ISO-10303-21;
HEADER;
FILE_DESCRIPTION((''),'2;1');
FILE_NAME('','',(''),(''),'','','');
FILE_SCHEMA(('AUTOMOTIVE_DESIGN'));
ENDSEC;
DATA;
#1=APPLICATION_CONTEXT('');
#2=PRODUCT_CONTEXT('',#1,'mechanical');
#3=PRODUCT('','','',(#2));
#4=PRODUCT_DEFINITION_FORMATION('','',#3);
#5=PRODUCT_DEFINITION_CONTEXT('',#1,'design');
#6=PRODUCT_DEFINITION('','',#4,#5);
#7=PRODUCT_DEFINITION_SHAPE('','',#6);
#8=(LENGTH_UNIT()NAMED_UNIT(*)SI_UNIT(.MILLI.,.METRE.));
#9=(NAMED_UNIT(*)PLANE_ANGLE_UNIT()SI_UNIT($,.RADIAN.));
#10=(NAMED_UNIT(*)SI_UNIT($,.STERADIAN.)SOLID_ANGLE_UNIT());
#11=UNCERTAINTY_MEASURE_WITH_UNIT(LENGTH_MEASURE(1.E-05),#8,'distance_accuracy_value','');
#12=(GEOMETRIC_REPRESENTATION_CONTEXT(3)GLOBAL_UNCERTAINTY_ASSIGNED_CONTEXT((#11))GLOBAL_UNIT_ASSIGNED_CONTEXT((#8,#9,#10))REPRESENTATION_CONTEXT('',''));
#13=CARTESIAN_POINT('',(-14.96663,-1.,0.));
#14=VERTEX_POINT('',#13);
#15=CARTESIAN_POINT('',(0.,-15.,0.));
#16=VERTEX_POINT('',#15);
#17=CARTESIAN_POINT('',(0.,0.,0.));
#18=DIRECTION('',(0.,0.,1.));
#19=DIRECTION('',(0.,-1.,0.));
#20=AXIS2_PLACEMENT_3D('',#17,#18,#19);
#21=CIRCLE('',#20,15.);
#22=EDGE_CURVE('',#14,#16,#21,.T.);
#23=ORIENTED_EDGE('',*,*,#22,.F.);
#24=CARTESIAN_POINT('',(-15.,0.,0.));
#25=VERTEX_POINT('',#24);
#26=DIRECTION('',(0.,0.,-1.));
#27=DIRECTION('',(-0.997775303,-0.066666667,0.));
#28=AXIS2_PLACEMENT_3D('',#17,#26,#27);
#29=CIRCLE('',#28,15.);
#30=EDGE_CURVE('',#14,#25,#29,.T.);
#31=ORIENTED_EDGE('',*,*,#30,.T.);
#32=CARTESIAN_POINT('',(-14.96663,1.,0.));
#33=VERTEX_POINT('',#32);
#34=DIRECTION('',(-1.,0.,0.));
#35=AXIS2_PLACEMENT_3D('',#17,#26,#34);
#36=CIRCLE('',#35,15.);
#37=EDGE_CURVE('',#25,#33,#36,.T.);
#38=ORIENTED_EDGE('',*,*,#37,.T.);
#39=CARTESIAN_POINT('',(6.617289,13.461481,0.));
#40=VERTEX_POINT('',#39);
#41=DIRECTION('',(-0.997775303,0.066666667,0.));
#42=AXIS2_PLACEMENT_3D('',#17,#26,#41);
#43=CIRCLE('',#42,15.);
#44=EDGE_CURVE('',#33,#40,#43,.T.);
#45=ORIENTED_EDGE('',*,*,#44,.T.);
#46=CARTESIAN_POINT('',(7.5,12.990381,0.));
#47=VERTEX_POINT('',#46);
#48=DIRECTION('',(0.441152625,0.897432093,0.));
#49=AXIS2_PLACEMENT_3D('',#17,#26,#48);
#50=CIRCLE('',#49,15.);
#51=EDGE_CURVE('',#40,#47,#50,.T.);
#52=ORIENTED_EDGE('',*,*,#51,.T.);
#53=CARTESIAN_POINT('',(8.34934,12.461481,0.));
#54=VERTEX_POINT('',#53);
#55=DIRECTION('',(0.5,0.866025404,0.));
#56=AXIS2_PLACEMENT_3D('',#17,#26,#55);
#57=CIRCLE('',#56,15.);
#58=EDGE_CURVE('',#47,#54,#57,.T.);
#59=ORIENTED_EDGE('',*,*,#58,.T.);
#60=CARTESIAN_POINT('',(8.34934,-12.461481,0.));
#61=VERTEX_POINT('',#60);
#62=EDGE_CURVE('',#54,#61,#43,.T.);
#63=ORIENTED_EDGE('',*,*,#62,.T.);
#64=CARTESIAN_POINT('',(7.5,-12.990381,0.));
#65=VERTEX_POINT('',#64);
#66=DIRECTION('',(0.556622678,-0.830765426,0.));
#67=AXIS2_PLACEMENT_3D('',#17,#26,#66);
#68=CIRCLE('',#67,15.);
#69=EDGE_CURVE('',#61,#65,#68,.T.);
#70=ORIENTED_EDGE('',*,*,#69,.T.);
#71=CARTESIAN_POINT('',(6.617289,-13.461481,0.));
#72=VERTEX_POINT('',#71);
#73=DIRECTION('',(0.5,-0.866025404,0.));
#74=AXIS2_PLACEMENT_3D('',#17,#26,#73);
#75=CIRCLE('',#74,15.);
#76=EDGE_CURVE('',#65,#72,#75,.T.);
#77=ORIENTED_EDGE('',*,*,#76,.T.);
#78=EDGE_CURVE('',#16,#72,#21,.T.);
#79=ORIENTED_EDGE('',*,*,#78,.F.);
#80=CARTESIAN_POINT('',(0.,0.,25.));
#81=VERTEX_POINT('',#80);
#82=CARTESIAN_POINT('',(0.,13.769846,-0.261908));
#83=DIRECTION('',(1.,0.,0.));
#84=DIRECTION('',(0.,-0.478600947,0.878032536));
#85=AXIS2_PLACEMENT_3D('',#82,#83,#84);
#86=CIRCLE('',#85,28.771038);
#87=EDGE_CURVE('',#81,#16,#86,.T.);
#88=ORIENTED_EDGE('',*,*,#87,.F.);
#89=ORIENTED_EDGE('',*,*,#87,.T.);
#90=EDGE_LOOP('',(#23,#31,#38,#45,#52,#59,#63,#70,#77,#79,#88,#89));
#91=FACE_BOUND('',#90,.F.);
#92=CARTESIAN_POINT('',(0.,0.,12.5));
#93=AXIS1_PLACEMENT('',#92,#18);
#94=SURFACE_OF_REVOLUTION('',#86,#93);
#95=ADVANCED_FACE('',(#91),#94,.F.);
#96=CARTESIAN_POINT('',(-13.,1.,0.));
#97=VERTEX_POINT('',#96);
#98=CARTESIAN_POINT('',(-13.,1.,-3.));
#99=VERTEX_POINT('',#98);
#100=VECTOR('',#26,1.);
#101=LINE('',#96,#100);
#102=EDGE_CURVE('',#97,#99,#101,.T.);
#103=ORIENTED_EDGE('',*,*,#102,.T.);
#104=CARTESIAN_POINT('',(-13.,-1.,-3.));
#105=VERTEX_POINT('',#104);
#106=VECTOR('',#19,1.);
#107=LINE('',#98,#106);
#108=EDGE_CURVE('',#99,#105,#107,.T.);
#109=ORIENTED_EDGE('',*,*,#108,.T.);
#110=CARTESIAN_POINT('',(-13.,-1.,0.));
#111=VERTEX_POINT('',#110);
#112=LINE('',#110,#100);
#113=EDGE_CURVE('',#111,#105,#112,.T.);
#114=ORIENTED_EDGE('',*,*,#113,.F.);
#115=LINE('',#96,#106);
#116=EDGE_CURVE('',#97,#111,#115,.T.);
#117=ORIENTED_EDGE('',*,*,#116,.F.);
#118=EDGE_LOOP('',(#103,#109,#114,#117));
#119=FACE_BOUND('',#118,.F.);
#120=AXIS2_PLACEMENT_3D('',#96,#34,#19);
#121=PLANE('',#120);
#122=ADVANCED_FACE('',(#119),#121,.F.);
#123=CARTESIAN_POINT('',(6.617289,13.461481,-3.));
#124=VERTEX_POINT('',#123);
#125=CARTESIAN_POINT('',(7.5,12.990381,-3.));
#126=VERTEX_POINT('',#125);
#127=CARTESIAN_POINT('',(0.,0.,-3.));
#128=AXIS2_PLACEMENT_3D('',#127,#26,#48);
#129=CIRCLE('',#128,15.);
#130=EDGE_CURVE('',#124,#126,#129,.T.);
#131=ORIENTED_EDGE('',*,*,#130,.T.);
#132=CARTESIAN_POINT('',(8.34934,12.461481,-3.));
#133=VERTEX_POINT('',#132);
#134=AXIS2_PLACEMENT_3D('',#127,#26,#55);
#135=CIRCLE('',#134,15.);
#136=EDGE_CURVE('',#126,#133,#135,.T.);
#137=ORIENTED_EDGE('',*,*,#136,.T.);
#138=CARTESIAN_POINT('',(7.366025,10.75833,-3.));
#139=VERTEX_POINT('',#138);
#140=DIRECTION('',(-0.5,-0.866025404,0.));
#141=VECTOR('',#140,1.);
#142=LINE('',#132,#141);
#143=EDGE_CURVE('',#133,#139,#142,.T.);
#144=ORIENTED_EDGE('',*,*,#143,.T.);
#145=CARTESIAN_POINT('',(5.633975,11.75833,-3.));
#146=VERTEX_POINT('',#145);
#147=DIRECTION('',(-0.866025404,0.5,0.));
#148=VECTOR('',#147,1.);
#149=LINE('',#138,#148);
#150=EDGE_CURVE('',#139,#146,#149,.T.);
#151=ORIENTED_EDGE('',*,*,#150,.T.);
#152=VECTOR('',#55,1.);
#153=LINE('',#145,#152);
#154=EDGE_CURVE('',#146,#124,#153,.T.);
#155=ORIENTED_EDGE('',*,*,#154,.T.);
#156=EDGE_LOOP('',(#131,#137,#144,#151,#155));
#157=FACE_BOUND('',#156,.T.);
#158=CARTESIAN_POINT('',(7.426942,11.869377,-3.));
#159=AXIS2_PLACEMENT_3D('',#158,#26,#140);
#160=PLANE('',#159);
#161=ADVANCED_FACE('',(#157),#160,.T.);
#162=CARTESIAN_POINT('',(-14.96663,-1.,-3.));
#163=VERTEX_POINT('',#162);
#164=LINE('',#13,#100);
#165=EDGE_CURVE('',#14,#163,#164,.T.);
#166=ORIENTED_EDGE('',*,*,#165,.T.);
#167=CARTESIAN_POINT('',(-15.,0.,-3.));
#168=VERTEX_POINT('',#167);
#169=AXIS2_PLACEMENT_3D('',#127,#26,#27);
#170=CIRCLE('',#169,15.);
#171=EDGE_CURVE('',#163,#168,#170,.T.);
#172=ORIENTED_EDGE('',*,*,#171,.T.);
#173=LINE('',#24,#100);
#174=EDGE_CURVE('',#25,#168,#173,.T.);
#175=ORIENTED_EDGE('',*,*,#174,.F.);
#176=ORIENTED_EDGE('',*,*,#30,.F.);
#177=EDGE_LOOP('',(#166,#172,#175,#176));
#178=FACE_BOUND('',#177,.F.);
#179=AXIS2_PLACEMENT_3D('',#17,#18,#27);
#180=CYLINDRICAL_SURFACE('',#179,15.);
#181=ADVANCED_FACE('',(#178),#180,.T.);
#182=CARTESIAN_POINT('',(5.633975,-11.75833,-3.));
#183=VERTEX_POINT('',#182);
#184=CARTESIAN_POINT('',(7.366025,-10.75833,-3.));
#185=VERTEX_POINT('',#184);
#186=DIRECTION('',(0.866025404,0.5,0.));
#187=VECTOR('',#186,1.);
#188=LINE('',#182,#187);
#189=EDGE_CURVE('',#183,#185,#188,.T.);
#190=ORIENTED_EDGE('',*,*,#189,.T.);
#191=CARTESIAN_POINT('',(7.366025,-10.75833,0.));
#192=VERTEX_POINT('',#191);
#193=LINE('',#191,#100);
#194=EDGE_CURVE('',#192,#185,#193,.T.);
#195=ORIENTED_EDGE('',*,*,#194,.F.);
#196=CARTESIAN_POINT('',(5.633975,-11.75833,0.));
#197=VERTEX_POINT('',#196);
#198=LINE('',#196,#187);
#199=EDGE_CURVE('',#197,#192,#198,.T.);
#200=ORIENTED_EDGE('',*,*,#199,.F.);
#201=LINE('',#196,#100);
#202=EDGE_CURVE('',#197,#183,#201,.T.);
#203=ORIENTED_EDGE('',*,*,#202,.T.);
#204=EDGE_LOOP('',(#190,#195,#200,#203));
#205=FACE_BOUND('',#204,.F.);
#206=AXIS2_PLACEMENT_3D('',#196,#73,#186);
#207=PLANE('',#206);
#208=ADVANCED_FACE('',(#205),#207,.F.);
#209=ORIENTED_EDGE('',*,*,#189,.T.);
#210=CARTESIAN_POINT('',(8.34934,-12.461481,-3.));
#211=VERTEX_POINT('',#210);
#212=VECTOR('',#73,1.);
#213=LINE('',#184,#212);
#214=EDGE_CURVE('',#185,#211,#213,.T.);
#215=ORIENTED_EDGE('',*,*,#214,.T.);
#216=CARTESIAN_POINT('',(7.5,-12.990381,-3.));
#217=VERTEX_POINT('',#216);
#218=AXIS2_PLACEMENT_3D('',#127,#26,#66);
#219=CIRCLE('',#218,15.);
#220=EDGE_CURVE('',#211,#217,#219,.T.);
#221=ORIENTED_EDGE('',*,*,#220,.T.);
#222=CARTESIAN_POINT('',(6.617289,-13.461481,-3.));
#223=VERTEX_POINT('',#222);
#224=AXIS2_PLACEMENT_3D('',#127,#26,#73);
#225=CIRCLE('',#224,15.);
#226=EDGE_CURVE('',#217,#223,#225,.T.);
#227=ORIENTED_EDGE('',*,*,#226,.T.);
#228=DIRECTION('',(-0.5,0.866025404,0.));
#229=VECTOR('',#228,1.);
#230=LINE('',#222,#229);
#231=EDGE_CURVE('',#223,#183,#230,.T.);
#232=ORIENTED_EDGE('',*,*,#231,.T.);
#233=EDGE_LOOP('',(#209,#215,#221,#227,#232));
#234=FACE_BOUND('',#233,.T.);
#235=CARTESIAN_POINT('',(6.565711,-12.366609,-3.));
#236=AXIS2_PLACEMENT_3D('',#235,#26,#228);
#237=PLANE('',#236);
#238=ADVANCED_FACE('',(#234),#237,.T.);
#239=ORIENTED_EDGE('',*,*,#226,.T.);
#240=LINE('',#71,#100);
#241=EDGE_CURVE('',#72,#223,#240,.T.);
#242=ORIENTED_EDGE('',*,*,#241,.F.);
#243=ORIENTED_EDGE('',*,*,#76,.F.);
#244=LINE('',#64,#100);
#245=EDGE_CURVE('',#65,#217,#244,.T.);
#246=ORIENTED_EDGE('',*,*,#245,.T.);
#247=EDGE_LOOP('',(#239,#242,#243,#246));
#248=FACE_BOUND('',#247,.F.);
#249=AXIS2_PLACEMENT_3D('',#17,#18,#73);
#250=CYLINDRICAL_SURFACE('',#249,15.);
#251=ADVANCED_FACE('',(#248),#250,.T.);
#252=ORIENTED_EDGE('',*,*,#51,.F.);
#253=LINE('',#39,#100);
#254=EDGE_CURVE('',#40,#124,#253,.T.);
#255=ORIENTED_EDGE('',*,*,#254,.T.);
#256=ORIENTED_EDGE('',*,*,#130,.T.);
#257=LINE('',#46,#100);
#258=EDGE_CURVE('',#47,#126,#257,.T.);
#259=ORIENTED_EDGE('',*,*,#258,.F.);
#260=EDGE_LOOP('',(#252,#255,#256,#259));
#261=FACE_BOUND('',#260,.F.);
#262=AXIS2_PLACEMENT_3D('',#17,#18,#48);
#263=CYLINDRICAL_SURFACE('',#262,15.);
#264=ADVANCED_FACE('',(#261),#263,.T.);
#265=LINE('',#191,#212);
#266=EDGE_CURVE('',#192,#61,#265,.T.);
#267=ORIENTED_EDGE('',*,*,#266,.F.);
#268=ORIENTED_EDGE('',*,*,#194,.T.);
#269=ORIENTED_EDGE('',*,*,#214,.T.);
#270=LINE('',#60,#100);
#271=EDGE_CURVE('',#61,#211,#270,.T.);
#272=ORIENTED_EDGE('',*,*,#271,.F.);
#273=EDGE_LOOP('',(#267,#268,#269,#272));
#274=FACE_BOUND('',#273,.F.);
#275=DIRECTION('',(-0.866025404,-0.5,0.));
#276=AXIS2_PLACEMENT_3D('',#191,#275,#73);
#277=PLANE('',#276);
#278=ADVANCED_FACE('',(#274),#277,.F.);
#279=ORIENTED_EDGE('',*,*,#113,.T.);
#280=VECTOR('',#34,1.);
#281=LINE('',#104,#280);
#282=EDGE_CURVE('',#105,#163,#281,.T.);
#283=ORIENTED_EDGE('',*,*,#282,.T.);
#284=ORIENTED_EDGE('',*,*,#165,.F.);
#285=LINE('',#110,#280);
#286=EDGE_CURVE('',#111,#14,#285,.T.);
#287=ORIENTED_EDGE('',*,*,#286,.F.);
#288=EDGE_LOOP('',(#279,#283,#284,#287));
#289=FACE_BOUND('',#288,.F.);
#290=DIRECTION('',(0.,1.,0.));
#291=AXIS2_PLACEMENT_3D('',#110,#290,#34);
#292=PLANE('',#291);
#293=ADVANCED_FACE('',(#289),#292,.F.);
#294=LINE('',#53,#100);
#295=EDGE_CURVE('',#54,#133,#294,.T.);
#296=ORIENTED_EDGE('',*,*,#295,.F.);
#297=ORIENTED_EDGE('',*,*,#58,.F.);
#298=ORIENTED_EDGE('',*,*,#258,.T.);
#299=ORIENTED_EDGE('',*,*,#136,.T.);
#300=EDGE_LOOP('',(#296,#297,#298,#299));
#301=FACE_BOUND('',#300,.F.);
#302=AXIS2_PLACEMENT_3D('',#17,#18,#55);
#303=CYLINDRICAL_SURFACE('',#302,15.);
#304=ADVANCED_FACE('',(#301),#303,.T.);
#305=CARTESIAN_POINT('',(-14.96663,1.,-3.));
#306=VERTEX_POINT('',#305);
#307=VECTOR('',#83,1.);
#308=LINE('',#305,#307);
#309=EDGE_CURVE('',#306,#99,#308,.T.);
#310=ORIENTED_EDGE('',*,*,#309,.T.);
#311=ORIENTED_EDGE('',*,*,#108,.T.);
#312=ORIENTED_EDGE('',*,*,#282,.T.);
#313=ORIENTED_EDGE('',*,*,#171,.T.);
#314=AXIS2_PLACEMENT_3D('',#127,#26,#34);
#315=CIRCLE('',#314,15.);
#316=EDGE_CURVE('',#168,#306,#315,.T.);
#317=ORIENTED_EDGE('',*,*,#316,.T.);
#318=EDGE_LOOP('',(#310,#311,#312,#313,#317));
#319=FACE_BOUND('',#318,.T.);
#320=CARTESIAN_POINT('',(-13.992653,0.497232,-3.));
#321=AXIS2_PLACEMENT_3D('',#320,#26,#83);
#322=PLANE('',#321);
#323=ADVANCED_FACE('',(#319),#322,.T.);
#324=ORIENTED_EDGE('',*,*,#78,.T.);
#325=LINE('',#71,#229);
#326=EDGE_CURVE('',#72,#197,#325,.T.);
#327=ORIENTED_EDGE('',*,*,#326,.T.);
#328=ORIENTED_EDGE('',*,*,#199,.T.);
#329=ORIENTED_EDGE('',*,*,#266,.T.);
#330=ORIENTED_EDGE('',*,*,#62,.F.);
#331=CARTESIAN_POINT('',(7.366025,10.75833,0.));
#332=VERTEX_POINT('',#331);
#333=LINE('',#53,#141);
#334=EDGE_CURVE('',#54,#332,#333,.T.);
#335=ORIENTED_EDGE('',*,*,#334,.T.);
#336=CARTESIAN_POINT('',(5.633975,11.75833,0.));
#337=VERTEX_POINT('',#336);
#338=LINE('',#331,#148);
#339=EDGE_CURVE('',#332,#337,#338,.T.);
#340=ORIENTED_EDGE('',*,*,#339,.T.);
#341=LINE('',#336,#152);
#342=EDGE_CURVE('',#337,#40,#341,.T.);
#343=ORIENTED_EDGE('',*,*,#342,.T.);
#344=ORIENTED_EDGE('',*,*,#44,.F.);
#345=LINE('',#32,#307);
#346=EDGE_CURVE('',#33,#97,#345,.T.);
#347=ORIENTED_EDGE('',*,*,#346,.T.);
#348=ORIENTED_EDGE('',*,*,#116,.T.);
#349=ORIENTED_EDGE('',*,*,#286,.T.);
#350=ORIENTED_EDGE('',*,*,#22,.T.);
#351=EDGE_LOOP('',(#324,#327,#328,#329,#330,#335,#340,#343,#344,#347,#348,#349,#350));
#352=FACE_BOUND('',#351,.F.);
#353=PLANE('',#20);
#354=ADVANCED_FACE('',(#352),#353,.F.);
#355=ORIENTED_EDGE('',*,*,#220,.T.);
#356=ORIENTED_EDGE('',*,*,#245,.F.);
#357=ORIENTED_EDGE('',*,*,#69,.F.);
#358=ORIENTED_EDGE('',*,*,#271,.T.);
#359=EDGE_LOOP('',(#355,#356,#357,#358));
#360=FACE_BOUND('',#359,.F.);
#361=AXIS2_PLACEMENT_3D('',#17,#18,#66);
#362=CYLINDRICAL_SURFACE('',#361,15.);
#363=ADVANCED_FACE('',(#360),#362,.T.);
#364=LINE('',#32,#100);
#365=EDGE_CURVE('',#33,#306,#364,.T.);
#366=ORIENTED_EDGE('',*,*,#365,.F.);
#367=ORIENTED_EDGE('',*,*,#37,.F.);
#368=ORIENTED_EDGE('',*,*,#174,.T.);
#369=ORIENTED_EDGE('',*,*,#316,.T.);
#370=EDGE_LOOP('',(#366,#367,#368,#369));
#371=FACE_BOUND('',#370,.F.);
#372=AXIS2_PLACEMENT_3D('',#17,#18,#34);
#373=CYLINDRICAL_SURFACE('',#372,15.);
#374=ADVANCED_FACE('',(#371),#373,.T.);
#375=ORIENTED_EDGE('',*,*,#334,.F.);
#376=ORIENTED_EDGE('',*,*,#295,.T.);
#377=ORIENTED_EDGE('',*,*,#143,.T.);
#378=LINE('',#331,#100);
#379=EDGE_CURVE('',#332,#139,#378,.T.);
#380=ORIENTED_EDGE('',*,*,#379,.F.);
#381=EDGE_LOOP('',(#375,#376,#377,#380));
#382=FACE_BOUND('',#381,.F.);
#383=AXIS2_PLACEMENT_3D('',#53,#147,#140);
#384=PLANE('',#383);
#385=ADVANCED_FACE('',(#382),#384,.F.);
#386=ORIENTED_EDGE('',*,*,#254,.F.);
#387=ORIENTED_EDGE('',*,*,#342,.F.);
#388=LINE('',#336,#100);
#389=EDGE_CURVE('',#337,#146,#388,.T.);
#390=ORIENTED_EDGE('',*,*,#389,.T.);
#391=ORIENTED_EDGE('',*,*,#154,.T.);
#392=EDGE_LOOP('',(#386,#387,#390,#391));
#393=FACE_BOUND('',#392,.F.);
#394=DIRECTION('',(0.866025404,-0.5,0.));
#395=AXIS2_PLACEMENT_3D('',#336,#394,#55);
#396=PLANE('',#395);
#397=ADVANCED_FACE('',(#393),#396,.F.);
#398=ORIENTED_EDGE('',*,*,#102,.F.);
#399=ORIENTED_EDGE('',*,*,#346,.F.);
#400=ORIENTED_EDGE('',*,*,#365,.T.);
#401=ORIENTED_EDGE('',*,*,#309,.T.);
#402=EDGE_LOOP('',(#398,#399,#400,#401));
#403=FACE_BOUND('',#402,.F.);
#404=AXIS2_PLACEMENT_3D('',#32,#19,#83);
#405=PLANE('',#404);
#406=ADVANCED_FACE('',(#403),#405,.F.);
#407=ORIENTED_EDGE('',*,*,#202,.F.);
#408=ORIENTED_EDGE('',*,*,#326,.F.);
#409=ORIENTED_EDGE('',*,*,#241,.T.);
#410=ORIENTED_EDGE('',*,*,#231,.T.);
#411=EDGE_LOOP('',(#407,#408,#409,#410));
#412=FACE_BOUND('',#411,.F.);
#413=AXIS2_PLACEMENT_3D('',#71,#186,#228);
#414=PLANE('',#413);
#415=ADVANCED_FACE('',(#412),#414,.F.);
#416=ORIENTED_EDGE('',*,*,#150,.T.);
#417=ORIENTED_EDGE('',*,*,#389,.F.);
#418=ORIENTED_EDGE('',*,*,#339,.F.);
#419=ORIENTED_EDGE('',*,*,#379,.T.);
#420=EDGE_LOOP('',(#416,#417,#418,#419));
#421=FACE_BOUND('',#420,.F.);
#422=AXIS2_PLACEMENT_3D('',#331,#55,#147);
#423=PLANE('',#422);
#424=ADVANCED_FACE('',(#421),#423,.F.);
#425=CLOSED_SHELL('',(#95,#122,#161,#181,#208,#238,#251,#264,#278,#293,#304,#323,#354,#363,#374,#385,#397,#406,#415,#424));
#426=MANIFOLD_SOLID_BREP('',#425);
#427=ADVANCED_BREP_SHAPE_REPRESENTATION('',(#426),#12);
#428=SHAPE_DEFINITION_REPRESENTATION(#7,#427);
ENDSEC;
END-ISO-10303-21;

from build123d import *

# Parameters (mm, degrees)
F3_DEPTH = 3
F4_COUNT = 3


with BuildPart() as f1:
    # F0 (on Right) → F1 (revolve)
    with BuildSketch(Plane.YZ):
        with BuildLine():
            Line((-15, 0), (0, 0))
            Line((0, 0), (0, 25))
            ThreePointArc((0, 25), (-10.9011156317, 14.540669379), (-15, 0))
        make_face()
    revolve(axis=Axis((0, 0, 12.5), (0, 0, 1)))

    # F2 (on face) → F3 (join)
    with BuildSketch(Plane(origin=(0, 0, 0), x_dir=(1, 0, 0), z_dir=(0, 0, -1))):
        with BuildLine():
            Line((-13, 0), (-15, 0))
            ThreePointArc((-15, 0), (-14.9916550655, -0.5002783193), (-14.9666295471, -1))
            Line((-14.9666295471, -1), (-13, -1))
            Line((-13, -1), (-13, 0))
        make_face()
        with BuildLine():
            ThreePointArc((-14.9666295471, 1), (-14.9916550655, 0.5002783193), (-15, 0))
            Line((-15, 0), (-13, 0))
            Line((-13, 0), (-13, 1))
            Line((-13, 1), (-14.9666295471, 1))
        make_face()
    extrude(amount=F3_DEPTH)

    # F4: F1 ×3 about axis
    f4_axis = Axis((0, 0, 12.5), (0, 0, 1))


with BuildPart() as f1_1:
    add(f1.part)
    for i in range(1, F4_COUNT):
        add(f1.part.rotate(f4_axis, i * 360 / F4_COUNT))


solid = f1_1.part
